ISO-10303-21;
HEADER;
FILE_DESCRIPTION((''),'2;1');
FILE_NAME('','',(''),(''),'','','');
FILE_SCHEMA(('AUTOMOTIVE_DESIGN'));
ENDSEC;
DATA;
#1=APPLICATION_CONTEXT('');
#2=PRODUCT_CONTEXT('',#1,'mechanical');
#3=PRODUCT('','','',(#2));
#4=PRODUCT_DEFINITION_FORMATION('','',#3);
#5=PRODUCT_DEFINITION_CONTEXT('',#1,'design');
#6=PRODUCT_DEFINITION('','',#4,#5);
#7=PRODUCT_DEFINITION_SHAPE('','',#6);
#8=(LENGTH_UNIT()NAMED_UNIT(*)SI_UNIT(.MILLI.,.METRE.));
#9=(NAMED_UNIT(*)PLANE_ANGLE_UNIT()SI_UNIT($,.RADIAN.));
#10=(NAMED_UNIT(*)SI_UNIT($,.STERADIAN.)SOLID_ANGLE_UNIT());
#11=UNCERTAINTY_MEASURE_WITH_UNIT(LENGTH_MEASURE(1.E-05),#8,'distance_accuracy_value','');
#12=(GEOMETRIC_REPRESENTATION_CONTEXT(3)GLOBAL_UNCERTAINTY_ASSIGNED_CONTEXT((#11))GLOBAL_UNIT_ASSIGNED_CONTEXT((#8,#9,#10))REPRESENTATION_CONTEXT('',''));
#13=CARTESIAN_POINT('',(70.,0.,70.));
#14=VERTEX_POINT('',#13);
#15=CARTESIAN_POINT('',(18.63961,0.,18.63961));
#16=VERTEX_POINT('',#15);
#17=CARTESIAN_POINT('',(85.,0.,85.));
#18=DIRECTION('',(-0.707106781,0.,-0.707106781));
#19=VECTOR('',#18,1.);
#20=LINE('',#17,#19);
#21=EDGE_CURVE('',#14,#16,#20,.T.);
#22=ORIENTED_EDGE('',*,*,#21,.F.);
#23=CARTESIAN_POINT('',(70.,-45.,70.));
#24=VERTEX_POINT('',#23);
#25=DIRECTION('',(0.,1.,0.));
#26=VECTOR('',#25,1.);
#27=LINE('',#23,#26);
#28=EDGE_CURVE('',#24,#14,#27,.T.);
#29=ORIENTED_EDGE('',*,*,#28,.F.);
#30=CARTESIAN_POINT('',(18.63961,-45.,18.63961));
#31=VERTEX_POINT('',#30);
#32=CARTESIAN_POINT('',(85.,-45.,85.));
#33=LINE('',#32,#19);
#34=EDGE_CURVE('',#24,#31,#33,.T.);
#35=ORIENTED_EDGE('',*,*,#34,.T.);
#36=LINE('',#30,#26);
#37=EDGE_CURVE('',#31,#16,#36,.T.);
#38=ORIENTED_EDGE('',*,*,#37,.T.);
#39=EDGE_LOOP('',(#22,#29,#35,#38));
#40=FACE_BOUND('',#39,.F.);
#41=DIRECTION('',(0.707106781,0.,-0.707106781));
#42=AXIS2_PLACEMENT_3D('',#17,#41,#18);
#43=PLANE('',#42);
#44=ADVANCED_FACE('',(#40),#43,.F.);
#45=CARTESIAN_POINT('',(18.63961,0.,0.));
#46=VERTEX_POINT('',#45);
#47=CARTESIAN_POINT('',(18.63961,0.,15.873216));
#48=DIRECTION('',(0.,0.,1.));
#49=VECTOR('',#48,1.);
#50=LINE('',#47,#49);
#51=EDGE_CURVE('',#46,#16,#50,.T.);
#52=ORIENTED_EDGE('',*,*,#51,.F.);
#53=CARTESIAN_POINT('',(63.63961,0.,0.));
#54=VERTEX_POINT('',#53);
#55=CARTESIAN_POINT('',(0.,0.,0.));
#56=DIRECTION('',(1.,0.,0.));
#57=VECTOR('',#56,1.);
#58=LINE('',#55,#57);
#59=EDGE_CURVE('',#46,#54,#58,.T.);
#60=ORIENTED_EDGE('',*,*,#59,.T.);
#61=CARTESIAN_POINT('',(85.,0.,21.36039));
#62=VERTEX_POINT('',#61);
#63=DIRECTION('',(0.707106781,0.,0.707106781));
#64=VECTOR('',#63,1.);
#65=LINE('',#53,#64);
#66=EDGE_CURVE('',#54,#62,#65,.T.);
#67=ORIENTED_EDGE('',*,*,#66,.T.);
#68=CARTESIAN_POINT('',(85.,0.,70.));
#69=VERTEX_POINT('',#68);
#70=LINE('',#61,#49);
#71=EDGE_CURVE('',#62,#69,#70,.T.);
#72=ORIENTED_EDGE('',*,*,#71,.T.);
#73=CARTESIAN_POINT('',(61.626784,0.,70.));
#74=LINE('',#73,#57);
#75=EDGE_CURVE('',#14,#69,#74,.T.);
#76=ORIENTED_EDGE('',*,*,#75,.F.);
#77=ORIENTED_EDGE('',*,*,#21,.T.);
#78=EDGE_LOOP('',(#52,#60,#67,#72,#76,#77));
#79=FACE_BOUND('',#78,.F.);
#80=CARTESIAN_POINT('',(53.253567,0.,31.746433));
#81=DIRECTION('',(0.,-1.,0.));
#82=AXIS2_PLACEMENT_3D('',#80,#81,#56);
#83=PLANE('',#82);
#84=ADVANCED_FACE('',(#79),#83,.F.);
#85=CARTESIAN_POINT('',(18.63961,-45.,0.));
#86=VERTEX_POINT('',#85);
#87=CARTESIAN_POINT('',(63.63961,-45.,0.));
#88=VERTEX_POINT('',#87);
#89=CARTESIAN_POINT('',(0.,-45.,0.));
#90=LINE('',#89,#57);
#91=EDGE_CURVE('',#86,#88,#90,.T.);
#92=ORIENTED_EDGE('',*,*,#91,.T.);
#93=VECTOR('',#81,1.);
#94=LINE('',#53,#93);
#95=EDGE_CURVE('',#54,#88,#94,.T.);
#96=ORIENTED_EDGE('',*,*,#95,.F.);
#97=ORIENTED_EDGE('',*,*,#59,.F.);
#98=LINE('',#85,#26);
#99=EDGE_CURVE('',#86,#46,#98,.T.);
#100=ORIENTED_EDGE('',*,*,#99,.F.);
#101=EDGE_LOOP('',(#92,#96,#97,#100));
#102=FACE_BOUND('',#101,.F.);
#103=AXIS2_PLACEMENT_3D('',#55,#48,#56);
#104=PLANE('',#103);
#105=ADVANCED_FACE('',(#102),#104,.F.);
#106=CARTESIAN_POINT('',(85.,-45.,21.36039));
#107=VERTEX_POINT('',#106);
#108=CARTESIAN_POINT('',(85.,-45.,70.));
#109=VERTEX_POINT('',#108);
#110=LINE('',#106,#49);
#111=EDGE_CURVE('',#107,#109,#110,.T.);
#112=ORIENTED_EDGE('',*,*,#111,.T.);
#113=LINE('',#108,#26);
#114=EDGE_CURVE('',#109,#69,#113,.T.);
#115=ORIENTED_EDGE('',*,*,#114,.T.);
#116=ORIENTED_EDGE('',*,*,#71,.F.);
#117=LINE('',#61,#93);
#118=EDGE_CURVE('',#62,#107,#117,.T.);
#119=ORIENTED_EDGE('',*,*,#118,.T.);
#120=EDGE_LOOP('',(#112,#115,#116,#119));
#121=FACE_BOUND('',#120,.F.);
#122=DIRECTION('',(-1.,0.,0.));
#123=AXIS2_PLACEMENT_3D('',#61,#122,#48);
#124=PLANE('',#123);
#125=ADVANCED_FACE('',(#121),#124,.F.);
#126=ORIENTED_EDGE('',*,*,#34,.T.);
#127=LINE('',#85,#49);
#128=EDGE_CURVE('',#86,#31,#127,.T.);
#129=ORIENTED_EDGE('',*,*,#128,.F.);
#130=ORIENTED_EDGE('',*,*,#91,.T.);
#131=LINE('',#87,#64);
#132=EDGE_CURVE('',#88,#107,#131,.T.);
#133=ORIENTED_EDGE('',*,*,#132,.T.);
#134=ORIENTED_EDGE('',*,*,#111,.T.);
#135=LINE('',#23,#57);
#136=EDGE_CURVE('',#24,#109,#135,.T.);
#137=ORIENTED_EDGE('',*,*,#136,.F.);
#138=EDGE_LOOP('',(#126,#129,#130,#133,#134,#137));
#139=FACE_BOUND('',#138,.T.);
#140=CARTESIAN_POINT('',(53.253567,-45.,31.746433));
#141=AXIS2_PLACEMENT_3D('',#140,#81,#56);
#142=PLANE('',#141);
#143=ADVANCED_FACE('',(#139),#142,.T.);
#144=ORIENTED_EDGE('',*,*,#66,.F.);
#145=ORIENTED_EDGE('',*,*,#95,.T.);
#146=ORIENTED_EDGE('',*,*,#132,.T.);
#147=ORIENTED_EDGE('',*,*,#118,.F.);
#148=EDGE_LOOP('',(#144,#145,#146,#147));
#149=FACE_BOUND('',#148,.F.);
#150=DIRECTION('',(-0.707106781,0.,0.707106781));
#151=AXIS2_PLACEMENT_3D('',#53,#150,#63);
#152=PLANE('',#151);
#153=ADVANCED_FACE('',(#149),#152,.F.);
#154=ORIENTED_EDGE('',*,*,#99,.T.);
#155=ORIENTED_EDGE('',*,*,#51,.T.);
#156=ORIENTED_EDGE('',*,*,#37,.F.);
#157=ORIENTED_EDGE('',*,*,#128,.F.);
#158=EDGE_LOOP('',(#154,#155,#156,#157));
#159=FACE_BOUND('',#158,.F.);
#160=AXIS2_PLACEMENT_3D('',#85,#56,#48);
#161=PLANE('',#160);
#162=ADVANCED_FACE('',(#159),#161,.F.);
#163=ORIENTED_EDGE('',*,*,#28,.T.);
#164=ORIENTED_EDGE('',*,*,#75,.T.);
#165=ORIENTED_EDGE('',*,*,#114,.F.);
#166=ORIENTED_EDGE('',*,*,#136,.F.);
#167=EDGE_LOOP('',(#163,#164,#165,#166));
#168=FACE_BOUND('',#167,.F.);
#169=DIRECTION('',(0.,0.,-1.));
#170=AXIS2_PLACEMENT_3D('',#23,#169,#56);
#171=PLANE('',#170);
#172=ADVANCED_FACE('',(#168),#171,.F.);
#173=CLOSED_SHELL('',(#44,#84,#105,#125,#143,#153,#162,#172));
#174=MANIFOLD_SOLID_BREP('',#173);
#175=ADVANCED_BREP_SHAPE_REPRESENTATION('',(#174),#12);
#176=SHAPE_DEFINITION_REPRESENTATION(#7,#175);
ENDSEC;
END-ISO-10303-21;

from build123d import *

# Parameters (mm, degrees)
F1_DEPTH = 45
F3_DEPTH = 45.001
F5_DEPTH = 45.001


with BuildPart() as f1:
    # F0 (on Front) → F1 (new body)
    with BuildSketch(Plane.XZ):
        Polygon((85, 85), (0, 0), (63.63961, 0), (85, 21.36039), align=None)
    extrude(amount=F1_DEPTH)

    # F2 (on face) → F3 (cut, through all)
    with BuildSketch(Plane.XZ.offset(45)):
        Polygon((0, 0), (18.63961, 0), (18.63961, 18.63961), align=None)
    extrude(amount=-F3_DEPTH, mode=Mode.SUBTRACT)

    # F4 (on face) → F5 (cut, through all)
    with BuildSketch(Plane.XZ.offset(45)):
        Polygon((85, 85), (70, 70), (85, 70), align=None)
    extrude(amount=-F5_DEPTH, mode=Mode.SUBTRACT)


solid = f1.part
